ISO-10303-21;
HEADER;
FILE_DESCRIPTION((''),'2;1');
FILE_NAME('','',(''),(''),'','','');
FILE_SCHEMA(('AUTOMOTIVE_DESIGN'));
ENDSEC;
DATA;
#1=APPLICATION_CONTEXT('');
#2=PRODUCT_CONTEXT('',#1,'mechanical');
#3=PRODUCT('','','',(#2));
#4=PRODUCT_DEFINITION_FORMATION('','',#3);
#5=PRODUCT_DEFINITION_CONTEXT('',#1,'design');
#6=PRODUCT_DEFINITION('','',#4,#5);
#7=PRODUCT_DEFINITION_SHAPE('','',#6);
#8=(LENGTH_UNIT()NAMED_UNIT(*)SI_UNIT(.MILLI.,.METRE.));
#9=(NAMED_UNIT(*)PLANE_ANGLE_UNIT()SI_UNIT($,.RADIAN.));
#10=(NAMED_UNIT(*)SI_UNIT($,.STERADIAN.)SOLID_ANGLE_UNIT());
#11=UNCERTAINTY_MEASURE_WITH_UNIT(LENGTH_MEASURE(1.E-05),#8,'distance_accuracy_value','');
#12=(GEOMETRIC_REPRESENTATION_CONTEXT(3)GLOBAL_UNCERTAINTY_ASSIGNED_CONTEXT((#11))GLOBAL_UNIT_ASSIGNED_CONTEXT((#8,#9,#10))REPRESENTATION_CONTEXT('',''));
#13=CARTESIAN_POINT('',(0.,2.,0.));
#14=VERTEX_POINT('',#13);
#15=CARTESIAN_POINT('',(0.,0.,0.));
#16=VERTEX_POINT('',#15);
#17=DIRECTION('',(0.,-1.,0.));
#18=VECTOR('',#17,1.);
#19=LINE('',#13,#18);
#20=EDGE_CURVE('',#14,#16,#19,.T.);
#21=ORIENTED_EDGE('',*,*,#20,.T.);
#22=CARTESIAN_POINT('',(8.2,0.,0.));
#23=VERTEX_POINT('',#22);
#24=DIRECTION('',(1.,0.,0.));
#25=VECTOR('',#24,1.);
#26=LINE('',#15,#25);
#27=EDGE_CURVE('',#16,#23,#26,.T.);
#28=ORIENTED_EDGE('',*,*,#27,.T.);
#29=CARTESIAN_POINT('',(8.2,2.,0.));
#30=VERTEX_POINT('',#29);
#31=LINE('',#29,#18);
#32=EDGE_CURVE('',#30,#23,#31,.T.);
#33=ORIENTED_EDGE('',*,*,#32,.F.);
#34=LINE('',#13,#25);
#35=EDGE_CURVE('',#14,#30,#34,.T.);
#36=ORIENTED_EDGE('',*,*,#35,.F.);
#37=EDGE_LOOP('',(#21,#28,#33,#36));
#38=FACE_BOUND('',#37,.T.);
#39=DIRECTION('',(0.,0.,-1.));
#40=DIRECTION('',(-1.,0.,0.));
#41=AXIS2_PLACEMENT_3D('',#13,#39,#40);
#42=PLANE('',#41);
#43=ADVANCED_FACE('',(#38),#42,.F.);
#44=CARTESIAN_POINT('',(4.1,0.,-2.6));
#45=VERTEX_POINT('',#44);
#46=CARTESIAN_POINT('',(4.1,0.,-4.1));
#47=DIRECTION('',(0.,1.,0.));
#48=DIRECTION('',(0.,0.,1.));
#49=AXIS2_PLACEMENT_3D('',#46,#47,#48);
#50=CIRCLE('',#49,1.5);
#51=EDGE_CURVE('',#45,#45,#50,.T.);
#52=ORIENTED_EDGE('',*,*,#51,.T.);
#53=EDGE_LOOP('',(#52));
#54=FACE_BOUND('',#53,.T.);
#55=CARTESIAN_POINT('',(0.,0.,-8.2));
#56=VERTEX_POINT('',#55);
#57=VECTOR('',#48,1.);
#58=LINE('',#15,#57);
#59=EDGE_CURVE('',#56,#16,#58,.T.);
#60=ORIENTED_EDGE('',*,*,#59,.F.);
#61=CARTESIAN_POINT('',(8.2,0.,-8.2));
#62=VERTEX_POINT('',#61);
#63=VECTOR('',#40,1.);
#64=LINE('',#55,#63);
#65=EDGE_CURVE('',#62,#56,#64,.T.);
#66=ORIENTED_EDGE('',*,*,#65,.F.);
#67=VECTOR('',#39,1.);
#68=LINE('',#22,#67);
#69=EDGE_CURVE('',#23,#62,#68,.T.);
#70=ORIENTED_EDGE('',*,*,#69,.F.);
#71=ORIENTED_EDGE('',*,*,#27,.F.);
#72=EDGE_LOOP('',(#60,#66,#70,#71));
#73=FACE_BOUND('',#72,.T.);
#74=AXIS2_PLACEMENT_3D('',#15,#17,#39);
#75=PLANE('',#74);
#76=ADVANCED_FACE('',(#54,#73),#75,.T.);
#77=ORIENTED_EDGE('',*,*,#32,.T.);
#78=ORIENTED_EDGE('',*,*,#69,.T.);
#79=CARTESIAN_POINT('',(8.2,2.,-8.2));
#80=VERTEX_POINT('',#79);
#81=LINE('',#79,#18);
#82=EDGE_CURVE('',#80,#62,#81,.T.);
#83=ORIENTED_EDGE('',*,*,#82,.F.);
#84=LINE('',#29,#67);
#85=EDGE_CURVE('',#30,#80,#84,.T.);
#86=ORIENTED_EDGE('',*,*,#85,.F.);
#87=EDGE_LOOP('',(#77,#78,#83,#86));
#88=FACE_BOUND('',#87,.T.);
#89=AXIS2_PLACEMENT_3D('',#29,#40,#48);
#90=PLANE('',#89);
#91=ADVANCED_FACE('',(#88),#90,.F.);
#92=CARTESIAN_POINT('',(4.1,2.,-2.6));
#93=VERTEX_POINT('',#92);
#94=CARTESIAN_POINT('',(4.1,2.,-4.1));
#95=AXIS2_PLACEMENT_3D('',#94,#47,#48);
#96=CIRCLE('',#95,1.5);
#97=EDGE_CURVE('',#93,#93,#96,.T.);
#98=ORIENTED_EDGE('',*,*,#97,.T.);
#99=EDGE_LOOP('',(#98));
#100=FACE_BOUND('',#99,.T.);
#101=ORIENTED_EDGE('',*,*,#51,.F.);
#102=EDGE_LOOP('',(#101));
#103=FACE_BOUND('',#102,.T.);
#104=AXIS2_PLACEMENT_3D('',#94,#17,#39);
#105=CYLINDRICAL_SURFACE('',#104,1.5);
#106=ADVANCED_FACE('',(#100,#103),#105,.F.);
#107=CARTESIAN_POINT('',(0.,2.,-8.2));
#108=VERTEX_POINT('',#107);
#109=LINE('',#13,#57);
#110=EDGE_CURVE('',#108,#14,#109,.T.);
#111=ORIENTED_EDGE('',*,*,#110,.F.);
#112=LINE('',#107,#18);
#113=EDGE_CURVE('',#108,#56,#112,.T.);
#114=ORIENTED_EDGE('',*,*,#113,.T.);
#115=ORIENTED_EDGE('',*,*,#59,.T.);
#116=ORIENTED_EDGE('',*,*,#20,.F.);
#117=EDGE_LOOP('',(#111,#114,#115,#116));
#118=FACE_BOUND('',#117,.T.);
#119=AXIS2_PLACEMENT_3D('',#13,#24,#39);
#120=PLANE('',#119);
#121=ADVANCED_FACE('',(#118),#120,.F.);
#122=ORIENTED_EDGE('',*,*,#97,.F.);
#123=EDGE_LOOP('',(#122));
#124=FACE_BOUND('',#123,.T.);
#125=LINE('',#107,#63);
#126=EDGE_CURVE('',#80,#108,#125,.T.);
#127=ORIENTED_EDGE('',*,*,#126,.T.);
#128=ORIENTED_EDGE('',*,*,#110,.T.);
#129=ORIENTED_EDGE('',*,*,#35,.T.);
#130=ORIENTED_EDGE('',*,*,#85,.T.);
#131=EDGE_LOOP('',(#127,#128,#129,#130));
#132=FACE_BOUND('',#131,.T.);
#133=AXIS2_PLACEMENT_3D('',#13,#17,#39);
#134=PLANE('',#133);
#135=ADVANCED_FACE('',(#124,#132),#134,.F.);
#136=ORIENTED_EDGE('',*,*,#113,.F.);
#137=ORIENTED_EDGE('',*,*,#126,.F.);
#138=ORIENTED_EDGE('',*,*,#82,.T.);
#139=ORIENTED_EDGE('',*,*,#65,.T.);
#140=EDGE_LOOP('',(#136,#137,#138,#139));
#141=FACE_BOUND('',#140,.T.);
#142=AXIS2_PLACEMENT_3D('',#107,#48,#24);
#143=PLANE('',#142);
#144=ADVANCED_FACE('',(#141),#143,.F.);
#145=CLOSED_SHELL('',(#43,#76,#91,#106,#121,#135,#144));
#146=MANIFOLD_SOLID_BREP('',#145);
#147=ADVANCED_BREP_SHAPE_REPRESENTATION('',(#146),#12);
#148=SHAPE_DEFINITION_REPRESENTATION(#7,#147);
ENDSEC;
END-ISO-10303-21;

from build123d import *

# Parameters (mm, degrees)
SKETCH_1_W      = 8.2
SKETCH_1_H      = 8.2
SKETCH_1_R      = 1.5
EXTRUDE_1_DEPTH = 2


with BuildPart() as part:
    # Эскиз1 → Бобышка-Вытянуть1 (new body)
    with BuildSketch(Plane(origin=(0, 0, 0), x_dir=(1, 0, 0), z_dir=(0, 1, 0))):
        with Locations((4.1, 4.1)):
            Rectangle(SKETCH_1_W, SKETCH_1_H)
        with Locations((4.1, 4.1)):
            Circle(SKETCH_1_R, mode=Mode.SUBTRACT)
    extrude(amount=EXTRUDE_1_DEPTH)


solid = part.part
